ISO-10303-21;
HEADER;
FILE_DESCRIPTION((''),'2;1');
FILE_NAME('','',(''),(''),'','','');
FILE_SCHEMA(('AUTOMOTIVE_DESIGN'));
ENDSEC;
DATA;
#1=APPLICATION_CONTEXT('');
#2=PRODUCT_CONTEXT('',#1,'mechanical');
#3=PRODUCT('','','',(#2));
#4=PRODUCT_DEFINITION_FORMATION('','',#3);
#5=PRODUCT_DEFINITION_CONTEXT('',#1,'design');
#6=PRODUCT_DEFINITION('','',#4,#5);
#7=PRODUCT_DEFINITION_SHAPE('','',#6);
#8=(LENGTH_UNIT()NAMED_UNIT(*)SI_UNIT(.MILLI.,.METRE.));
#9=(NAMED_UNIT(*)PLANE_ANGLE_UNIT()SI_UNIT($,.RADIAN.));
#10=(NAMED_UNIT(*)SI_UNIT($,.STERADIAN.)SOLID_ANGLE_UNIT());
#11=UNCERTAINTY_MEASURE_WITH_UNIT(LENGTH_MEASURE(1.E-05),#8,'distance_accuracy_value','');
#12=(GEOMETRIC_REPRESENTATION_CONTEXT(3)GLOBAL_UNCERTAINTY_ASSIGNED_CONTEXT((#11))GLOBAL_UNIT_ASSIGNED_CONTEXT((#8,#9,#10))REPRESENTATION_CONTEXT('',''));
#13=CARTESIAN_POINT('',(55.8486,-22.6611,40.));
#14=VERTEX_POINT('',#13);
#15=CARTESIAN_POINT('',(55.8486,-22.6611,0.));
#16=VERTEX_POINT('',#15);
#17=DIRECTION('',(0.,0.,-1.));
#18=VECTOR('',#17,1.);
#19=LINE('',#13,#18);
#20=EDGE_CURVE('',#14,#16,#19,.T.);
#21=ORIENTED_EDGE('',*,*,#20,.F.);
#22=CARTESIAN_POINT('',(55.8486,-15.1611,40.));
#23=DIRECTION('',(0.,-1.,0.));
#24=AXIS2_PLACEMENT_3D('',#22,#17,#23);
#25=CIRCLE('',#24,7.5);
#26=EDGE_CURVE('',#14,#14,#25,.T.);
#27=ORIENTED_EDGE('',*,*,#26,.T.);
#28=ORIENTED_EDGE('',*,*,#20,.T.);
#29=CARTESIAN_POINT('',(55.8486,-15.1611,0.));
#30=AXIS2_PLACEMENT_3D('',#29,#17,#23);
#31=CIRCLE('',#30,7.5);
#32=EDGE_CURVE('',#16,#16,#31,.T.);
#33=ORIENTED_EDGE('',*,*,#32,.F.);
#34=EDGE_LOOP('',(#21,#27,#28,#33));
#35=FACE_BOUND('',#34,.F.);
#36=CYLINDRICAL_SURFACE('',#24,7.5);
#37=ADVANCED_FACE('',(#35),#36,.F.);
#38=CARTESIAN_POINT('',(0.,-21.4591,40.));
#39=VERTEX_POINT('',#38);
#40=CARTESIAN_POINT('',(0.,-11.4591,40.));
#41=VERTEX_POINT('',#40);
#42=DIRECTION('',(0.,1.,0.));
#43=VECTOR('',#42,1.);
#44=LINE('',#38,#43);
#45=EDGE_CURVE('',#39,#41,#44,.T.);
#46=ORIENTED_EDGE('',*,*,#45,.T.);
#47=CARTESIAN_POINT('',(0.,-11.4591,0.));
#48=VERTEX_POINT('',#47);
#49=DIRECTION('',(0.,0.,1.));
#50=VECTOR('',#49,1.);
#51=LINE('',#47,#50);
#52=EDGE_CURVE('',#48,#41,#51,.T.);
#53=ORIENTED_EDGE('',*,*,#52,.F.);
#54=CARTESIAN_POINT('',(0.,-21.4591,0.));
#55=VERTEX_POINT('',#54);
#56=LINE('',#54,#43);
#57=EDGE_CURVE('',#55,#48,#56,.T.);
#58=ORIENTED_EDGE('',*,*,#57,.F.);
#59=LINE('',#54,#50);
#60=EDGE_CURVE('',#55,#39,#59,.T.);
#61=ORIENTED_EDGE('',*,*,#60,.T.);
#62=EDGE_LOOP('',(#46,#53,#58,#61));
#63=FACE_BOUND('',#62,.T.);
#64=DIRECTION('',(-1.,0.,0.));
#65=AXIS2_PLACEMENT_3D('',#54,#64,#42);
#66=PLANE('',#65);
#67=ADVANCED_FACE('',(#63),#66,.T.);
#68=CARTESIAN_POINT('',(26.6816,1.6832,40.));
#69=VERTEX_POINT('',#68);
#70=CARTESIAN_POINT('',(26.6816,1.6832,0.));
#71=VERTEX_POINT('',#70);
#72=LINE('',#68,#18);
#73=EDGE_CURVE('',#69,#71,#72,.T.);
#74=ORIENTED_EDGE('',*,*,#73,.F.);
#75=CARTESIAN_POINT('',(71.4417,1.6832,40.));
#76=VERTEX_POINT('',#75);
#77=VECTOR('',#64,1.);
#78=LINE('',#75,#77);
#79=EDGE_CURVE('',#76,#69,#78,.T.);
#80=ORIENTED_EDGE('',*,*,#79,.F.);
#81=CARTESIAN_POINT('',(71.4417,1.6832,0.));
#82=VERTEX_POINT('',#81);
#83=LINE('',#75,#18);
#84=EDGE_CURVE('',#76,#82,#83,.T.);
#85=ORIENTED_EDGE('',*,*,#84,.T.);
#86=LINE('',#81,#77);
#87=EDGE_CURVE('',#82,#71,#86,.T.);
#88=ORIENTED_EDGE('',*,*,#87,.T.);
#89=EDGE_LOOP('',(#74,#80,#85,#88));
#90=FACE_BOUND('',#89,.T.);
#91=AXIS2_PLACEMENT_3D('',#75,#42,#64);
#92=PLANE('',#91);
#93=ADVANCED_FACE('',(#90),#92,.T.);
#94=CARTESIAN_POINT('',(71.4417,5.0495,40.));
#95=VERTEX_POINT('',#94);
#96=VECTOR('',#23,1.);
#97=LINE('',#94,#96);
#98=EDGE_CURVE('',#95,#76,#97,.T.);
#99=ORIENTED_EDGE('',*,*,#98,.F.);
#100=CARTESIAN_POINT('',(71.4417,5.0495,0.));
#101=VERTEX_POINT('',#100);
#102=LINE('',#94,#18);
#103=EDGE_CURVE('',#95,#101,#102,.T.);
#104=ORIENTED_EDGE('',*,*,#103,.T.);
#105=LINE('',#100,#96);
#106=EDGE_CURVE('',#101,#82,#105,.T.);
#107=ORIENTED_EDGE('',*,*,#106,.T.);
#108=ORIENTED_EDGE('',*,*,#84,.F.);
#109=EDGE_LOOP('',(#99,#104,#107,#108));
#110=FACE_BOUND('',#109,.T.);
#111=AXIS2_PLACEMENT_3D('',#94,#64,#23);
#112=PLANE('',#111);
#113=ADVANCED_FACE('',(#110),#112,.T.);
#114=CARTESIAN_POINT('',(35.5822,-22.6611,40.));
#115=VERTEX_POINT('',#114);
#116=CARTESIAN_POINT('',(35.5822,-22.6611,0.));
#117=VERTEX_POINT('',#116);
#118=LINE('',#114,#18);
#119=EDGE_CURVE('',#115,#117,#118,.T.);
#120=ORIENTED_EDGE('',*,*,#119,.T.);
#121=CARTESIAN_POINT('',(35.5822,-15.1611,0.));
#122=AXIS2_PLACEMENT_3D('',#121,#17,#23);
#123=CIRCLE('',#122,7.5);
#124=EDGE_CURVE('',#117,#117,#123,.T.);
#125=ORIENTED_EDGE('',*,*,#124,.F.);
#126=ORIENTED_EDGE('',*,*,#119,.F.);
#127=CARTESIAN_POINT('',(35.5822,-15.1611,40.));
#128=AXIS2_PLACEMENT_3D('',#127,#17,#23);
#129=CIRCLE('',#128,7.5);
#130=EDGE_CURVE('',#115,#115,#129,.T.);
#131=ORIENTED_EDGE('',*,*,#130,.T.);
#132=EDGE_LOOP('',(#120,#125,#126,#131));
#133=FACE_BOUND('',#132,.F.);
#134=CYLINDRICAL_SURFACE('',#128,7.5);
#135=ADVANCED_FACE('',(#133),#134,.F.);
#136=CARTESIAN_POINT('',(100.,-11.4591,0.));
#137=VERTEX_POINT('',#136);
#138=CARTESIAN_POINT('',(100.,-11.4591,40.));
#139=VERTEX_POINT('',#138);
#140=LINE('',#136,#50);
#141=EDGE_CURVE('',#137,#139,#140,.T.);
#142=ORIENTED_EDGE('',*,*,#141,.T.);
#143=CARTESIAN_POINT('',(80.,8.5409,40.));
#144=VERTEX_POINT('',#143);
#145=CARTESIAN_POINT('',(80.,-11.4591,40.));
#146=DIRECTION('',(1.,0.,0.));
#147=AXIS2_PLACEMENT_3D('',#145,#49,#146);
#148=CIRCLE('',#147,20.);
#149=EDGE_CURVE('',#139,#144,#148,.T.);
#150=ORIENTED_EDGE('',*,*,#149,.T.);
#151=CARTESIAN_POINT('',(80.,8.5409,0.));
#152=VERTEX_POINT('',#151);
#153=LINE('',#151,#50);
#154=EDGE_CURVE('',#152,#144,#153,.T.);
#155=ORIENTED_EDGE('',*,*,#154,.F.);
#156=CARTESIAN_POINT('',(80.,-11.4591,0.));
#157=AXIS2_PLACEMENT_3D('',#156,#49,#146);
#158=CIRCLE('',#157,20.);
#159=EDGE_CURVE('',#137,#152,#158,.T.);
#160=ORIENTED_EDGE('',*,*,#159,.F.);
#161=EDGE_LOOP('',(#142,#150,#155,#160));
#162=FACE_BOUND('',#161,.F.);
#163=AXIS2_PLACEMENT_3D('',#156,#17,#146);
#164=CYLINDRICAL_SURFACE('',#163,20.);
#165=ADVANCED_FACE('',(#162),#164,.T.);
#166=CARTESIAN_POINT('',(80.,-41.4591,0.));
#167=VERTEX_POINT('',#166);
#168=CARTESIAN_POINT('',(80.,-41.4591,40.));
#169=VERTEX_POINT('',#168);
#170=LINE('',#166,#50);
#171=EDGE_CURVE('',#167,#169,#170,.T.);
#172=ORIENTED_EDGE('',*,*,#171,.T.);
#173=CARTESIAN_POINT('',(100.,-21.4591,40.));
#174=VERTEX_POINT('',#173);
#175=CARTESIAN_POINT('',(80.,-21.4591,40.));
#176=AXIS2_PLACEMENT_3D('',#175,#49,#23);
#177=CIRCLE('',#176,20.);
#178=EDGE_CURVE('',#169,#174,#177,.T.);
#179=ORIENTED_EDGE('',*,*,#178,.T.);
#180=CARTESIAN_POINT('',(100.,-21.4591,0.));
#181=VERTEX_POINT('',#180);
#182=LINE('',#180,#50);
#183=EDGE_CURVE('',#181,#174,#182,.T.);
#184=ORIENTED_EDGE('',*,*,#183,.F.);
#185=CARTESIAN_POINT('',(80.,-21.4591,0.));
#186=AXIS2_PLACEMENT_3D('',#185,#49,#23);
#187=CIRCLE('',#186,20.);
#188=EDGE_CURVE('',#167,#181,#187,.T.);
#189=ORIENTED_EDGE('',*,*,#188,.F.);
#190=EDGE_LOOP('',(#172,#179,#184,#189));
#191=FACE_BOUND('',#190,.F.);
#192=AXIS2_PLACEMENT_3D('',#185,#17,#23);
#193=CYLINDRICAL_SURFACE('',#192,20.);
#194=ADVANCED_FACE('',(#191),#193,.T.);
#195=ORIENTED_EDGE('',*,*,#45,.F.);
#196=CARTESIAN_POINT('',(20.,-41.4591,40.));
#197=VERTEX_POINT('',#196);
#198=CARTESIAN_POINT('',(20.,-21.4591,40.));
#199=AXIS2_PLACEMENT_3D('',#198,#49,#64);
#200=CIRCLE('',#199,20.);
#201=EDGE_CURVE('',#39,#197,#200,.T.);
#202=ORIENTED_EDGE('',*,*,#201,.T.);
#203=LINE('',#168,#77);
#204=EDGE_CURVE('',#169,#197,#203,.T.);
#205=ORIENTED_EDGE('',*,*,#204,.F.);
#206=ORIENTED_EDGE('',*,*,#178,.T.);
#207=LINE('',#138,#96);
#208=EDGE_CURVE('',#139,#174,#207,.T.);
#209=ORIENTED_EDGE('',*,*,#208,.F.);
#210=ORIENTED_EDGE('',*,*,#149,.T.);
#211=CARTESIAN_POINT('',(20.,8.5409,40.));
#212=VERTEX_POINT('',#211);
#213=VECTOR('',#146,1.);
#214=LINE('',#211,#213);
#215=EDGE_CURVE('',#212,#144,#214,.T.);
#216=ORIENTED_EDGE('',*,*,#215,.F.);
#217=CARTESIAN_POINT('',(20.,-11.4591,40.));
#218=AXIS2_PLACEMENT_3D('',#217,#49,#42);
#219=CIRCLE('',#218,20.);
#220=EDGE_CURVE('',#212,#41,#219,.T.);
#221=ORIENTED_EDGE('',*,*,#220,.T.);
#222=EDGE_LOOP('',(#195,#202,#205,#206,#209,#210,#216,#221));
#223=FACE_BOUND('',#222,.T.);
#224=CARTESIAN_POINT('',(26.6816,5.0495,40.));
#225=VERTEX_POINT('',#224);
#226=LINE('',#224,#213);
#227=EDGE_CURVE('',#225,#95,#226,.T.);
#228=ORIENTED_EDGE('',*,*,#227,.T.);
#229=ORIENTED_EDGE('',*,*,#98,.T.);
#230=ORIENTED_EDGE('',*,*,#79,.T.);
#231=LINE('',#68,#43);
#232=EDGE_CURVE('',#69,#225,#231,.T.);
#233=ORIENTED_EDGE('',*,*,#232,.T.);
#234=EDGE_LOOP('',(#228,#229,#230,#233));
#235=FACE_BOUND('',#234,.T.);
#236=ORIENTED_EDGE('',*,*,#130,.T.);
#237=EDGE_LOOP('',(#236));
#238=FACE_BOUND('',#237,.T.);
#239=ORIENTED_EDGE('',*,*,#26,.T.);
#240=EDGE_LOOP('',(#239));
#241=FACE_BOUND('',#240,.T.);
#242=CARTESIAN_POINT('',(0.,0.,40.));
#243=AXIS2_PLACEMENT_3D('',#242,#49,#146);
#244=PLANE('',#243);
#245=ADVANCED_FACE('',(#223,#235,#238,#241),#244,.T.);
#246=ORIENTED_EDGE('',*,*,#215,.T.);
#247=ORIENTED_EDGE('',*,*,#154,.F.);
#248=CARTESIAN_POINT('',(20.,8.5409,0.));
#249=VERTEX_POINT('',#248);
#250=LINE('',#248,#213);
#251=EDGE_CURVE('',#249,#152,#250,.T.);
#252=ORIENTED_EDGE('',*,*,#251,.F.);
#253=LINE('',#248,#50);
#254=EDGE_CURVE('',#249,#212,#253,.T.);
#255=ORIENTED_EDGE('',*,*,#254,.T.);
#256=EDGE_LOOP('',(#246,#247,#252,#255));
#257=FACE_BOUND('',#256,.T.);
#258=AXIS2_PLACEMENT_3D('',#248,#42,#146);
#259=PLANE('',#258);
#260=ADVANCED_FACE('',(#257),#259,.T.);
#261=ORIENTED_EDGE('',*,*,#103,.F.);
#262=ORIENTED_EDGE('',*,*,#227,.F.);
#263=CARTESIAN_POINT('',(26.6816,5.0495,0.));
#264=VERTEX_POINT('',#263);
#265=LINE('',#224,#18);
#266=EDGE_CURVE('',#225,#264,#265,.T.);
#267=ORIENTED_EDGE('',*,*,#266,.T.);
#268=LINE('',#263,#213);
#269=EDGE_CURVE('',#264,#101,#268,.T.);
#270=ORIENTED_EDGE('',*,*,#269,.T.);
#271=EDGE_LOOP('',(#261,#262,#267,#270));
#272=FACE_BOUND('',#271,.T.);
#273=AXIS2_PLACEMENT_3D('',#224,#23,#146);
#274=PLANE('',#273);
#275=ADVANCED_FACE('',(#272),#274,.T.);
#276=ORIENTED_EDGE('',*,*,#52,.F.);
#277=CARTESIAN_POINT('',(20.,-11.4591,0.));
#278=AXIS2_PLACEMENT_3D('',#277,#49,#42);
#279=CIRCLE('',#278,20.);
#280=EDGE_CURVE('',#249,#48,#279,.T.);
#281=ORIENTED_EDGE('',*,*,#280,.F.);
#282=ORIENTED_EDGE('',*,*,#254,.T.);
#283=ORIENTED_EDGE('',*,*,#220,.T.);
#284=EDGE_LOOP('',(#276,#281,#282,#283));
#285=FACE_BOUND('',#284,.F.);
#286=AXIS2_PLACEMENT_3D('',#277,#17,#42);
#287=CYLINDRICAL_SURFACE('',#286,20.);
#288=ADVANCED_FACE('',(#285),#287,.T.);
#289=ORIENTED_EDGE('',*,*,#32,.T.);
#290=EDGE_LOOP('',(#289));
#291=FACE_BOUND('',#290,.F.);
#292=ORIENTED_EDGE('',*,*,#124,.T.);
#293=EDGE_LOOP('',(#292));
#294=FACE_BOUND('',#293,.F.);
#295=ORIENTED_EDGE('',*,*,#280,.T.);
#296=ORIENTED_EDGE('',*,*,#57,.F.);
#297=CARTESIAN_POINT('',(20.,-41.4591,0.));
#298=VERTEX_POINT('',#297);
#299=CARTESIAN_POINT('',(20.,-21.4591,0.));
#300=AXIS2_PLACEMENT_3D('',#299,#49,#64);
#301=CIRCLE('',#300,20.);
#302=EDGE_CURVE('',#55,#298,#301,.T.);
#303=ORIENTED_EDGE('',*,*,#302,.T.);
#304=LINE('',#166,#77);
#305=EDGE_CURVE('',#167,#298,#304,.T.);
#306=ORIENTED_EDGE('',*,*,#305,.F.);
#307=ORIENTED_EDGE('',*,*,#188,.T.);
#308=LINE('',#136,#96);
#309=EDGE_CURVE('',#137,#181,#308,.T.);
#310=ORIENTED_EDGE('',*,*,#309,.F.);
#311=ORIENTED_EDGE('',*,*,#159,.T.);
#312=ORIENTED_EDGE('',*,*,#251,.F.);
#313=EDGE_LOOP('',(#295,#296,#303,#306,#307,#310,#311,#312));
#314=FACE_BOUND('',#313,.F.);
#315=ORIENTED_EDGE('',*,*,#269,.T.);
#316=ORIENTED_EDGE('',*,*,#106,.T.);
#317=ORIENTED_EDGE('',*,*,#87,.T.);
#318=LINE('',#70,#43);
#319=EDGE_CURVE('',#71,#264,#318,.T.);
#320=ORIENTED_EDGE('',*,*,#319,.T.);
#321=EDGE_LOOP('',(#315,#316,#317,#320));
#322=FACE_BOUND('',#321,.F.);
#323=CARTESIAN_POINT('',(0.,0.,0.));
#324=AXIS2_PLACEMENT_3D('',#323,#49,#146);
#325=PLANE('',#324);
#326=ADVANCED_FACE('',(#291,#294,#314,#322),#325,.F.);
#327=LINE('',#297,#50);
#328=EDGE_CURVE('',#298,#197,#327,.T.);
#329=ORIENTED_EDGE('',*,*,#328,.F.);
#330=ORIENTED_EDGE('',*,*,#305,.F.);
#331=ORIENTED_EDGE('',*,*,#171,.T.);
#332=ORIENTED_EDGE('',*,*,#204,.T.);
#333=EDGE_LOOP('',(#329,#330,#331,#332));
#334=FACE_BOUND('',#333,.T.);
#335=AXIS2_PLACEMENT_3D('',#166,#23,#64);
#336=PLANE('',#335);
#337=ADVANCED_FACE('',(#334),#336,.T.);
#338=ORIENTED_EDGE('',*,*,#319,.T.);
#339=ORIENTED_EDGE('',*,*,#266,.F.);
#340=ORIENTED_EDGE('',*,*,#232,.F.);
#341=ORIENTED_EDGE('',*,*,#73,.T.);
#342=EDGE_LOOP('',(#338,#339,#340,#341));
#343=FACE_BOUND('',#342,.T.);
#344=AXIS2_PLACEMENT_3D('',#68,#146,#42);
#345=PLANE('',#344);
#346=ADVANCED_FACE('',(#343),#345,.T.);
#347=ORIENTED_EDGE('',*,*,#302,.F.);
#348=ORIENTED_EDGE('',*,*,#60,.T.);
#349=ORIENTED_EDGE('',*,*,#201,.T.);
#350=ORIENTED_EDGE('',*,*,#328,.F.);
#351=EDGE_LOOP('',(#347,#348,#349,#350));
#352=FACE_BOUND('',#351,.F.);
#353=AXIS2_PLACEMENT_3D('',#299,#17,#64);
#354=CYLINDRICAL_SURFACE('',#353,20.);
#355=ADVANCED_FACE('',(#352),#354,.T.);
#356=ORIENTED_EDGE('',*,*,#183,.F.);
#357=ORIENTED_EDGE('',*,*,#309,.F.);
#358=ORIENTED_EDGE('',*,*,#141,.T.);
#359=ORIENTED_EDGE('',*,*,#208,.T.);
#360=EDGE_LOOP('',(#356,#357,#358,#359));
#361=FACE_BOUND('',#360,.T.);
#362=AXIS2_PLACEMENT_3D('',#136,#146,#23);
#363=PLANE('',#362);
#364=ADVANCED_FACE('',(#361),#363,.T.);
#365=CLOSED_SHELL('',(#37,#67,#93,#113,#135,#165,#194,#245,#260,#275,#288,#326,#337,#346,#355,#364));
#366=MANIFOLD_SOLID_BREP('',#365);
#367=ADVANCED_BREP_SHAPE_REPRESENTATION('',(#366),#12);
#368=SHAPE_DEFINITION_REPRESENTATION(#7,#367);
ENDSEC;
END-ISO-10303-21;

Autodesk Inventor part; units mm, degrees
ref_plane "YZ Plane" through (0, 0, 0) normal (1, 0, 0) x (0, 1, 0)
ref_plane "XZ Plane" through (0, 0, 0) normal (0, 1, 0) x (-1, 0, 0)
ref_plane "XY Plane" through (0, 0, 0) normal (0, 0, 1) x (1, 0, 0)
sketch "Sketch1" plane through (0, 0, 0) normal (0, 0, 1) x (1, 0, 0)
  line L0 (20, 8.5409) -> (80, 8.5409)
  line L1 (100, -11.4591) -> (100, -21.4591)
  line L2 (80, -41.4591) -> (20, -41.4591)
  line L3 (0, -21.4591) -> (0, -11.4591)
  arc A0 (20, 8.5409) -> (0, -11.4591) centre (20, -11.4591) ccw
  arc A1 (100, -11.4591) -> (80, 8.5409) centre (80, -11.4591) ccw
  arc A2 (80, -41.4591) -> (100, -21.4591) centre (80, -21.4591) ccw
  arc A3 (0, -21.4591) -> (20, -41.4591) centre (20, -21.4591) ccw
  point P0 (0, 0)
  point P1 (100, -41.4591)
  point P2 (100, 8.5409)
  point P3 (0, -41.4591)
  dimension "d0" = 100
  dimension "d1" = 50
  dimension "d2" = 20
extrude "Extrusion1" add sketch "Sketch1" along normal blind 40
sketch "Sketch3" plane through (0, 0, 40) normal (0, 0, 1) x (1, 0, 0)
  line L0 (26.6816, 5.0495) -> (71.4417, 5.0495)
  line L1 (71.4417, 5.0495) -> (71.4417, 1.6832)
  line L2 (71.4417, 1.6832) -> (26.6816, 1.6832)
  line L3 (26.6816, 1.6832) -> (26.6816, 5.0495)
  point P0 (0, 0)
extrude "Extrusion2" cut sketch "Sketch3" against normal blind 40
sketch "Sketch4" plane through (0, 0, 40) normal (0, 0, 1) x (1, 0, 0)
  circle A0 centre (35.5822, -15.1611) radius 7.5
  circle A1 centre (55.8486, -15.1611) radius 7.5
  point P0 (0, 0)
  dimension "d16" = 15
  dimension "d17" = 15
hole "Hole2" at (35.5822, -15.1611, 40) at (55.8486, -15.1611, 40) direction (0, 0, -1) diameter 15 end through all
properties part number "head"
